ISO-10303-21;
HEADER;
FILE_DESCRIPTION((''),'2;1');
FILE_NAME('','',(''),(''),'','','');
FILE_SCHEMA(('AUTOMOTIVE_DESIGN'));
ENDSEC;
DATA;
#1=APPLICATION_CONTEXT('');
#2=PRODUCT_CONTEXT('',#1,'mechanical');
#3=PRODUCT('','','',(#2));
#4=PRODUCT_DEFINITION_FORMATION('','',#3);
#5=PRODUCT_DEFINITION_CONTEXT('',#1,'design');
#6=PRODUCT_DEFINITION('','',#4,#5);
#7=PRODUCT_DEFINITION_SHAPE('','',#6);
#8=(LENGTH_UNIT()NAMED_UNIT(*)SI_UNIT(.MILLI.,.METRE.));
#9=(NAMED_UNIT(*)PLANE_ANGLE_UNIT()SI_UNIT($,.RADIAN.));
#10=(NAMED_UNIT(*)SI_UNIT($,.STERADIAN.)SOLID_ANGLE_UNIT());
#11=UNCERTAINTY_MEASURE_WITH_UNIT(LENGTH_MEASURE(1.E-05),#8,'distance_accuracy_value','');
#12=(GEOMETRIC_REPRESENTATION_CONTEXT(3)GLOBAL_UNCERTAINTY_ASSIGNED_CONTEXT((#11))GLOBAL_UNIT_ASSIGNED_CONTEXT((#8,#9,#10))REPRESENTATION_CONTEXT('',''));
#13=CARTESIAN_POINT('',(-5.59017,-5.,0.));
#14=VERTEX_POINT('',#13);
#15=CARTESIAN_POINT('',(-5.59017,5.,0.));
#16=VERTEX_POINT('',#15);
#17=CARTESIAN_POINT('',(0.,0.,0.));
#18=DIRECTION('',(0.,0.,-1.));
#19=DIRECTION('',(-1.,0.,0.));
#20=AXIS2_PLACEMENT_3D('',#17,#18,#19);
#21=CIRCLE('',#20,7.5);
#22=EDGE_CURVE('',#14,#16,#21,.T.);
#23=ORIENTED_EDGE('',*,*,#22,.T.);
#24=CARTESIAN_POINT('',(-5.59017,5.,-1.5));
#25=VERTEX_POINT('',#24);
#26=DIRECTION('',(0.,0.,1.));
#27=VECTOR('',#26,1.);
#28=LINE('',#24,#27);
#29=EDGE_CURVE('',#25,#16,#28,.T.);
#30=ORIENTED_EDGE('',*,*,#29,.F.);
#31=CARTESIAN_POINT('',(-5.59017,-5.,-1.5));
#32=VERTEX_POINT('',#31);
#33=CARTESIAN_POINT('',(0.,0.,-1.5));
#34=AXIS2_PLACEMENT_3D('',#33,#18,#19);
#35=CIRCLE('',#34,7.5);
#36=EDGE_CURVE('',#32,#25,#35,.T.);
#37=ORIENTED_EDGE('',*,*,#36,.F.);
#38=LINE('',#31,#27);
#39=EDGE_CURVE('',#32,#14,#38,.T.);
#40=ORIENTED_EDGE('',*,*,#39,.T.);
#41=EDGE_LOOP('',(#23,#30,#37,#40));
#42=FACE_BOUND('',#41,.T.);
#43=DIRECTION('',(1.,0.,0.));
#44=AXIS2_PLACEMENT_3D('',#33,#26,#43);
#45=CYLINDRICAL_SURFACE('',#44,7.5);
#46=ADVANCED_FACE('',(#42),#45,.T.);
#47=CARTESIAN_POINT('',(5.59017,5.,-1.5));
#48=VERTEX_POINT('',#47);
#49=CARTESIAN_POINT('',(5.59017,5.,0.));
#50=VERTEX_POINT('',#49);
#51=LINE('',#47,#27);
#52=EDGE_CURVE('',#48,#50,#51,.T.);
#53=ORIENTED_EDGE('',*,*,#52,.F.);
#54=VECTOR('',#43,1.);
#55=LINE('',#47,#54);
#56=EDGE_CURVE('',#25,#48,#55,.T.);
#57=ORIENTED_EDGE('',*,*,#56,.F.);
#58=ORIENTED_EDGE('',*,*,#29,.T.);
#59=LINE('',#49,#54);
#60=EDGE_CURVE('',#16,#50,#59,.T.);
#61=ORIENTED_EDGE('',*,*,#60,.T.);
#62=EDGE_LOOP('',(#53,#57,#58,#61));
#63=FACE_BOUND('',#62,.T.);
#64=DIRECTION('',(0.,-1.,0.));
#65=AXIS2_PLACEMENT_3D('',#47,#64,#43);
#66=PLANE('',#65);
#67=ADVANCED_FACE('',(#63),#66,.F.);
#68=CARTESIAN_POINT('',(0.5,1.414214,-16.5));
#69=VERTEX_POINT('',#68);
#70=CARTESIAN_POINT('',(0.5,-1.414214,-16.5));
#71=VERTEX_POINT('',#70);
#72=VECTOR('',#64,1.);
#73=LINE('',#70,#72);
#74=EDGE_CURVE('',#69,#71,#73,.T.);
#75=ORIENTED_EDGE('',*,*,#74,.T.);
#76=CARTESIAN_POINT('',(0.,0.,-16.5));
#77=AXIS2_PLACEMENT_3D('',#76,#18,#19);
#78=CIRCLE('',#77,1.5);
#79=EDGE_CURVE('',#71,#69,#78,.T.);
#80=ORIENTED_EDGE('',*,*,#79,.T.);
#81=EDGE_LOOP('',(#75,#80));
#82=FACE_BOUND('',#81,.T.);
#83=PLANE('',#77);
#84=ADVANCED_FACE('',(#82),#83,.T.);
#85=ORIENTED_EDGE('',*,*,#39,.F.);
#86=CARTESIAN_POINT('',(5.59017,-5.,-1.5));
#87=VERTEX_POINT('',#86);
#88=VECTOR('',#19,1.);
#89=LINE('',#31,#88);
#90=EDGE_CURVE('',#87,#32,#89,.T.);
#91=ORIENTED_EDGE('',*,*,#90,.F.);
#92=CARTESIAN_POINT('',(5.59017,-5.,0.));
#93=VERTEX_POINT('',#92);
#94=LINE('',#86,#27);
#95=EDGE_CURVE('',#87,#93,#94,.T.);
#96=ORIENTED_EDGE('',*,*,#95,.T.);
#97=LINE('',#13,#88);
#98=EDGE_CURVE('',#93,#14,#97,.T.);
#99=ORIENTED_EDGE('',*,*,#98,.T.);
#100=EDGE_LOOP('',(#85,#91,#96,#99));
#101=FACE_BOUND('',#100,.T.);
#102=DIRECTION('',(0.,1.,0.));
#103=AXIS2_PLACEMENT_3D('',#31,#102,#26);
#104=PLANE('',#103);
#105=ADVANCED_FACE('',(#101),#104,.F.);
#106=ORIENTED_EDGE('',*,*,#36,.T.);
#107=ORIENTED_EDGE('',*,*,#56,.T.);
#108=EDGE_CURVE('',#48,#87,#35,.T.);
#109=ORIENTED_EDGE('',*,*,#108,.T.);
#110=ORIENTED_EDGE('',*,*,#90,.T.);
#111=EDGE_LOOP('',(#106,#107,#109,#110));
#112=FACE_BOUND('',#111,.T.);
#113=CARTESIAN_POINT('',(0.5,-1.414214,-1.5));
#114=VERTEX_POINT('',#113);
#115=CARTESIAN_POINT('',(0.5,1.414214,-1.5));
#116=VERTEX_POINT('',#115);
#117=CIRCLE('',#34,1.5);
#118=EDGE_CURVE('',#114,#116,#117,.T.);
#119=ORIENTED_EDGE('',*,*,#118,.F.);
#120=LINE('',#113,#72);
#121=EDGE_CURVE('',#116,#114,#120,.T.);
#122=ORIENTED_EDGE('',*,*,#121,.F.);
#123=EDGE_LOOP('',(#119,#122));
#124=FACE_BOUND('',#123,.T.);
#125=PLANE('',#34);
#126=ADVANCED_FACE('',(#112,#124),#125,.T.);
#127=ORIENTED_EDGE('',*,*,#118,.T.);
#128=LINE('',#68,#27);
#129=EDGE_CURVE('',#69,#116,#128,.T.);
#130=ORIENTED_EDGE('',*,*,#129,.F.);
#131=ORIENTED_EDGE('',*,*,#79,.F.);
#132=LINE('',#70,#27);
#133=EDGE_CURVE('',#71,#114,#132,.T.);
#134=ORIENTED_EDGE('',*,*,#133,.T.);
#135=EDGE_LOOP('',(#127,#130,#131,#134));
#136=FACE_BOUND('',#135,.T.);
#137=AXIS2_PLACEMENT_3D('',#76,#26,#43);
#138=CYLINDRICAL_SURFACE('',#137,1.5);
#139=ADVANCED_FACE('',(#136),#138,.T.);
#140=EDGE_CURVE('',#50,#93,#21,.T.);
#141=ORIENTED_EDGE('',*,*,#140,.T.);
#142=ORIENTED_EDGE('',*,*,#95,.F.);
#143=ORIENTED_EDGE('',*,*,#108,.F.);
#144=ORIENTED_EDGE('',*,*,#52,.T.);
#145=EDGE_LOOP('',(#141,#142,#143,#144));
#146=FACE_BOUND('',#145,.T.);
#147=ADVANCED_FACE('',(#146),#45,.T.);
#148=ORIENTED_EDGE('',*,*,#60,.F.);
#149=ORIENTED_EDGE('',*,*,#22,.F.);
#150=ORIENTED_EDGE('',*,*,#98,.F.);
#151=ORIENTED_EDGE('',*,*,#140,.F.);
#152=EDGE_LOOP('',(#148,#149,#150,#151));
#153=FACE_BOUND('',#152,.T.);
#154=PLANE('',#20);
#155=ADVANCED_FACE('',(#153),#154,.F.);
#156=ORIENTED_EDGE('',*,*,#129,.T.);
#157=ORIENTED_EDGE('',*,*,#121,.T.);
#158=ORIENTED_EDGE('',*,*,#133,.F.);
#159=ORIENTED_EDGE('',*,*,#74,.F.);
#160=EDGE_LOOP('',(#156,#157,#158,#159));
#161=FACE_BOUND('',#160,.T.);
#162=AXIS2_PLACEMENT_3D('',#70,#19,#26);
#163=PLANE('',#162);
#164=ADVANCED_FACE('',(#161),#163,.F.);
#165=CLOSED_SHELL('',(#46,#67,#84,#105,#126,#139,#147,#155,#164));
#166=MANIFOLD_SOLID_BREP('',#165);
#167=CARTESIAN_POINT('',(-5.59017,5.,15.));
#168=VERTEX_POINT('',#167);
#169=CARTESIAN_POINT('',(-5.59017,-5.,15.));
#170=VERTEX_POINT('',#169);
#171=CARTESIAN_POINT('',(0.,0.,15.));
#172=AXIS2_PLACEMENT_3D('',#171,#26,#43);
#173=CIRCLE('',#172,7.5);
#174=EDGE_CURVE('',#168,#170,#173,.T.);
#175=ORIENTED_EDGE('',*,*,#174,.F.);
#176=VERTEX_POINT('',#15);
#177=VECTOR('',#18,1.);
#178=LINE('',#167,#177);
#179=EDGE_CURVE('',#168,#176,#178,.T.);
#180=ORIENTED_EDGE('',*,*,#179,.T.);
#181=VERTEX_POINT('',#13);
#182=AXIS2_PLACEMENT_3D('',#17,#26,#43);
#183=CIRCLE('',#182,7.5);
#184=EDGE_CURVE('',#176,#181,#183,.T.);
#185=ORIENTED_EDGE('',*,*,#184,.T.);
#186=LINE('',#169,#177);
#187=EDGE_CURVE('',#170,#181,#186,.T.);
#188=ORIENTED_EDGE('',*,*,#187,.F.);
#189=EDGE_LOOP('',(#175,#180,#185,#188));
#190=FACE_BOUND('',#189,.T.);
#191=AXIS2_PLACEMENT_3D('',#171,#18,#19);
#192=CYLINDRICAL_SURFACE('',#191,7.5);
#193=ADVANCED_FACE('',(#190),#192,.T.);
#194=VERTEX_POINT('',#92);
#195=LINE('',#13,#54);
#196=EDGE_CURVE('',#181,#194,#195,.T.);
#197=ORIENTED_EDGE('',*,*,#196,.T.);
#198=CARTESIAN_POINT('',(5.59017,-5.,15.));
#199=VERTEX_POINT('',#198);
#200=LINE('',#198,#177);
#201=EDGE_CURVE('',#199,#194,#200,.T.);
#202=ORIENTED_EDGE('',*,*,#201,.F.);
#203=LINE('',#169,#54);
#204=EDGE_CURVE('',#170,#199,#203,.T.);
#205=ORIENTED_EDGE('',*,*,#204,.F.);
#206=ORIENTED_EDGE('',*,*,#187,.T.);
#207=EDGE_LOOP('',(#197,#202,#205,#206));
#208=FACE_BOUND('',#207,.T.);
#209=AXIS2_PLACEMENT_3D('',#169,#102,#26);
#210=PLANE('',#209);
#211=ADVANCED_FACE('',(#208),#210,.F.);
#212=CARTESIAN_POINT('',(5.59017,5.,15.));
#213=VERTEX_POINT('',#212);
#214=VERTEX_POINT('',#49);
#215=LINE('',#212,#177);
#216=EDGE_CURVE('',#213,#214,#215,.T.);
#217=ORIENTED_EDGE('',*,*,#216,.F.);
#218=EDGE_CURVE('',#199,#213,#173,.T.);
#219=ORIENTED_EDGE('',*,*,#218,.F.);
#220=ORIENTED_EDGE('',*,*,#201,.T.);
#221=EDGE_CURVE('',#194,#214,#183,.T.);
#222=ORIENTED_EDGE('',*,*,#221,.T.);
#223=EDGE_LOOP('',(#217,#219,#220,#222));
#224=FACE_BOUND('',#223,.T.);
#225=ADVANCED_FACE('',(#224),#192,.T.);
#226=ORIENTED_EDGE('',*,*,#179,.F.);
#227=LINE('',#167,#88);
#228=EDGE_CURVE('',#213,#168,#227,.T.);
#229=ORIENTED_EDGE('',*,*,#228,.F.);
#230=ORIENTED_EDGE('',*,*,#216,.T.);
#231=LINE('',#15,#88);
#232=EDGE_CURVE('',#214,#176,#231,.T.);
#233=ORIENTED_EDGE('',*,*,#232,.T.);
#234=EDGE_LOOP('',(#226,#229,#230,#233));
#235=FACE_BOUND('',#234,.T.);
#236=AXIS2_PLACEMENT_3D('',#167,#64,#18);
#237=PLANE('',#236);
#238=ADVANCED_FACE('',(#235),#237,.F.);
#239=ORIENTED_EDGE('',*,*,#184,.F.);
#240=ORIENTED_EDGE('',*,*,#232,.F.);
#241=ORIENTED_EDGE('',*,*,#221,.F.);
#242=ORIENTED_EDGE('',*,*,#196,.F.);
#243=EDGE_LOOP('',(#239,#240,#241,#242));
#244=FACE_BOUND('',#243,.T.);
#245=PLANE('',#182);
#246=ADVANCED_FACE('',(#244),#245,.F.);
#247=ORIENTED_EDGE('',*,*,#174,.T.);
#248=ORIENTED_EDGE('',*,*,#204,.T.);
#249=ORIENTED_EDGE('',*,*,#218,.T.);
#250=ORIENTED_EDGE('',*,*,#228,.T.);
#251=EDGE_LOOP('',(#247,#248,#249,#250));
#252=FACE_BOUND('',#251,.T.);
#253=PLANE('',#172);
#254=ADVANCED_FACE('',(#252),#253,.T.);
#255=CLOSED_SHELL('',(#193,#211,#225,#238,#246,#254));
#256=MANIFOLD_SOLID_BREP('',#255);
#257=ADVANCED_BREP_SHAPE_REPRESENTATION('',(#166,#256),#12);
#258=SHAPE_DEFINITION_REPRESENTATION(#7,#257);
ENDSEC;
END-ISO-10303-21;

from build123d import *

# Parameters (mm, degrees)
BOSS_EXTRUDE1_DEPTH = 15
BOSS_EXTRUDE2_DEPTH = 1.5
BOSS_EXTRUDE3_DEPTH = 15


with BuildPart() as part:
    # Sketch1 → Boss-Extrude1 (new body)
    with BuildSketch(Plane.XY):
        with BuildLine():
            Line((-5.590169944, -5), (5.590169944, -5))
            ThreePointArc((5.590169944, -5), (7.5, 0), (5.590169944, 5))
            Line((5.590169944, 5), (-5.590169944, 5))
            ThreePointArc((-5.590169944, 5), (-7.5, 0), (-5.590169944, -5))
        make_face()
    extrude(amount=BOSS_EXTRUDE1_DEPTH)


with BuildPart() as body_2:
    # Sketch2 → Boss-Extrude2 (new body)
    with BuildSketch(Plane(origin=(0, 0, 0), x_dir=(-1, 0, 0), z_dir=(0, 0, -1))):
        with BuildLine():
            Line((5.590169944, -5), (-5.590169944, -5))
            ThreePointArc((-5.590169944, -5), (-7.5, 0), (-5.590169944, 5))
            Line((-5.590169944, 5), (5.590169944, 5))
            ThreePointArc((5.590169944, 5), (7.5, 0), (5.590169944, -5))
        make_face()
    extrude(amount=BOSS_EXTRUDE2_DEPTH)

    # Sketch3 → Boss-Extrude3 (add)
    with BuildSketch(Plane(origin=(0, 0, -1.5), x_dir=(-1, 0, 0), z_dir=(0, 0, -1))):
        with BuildLine():
            Line((-0.5, -1.414213562), (-0.5, 1.414213562))
            ThreePointArc((-0.5, 1.414213562), (1.5, 0), (-0.5, -1.414213562))
        make_face()
    extrude(amount=BOSS_EXTRUDE3_DEPTH)


solid = Compound([part.part, body_2.part])
